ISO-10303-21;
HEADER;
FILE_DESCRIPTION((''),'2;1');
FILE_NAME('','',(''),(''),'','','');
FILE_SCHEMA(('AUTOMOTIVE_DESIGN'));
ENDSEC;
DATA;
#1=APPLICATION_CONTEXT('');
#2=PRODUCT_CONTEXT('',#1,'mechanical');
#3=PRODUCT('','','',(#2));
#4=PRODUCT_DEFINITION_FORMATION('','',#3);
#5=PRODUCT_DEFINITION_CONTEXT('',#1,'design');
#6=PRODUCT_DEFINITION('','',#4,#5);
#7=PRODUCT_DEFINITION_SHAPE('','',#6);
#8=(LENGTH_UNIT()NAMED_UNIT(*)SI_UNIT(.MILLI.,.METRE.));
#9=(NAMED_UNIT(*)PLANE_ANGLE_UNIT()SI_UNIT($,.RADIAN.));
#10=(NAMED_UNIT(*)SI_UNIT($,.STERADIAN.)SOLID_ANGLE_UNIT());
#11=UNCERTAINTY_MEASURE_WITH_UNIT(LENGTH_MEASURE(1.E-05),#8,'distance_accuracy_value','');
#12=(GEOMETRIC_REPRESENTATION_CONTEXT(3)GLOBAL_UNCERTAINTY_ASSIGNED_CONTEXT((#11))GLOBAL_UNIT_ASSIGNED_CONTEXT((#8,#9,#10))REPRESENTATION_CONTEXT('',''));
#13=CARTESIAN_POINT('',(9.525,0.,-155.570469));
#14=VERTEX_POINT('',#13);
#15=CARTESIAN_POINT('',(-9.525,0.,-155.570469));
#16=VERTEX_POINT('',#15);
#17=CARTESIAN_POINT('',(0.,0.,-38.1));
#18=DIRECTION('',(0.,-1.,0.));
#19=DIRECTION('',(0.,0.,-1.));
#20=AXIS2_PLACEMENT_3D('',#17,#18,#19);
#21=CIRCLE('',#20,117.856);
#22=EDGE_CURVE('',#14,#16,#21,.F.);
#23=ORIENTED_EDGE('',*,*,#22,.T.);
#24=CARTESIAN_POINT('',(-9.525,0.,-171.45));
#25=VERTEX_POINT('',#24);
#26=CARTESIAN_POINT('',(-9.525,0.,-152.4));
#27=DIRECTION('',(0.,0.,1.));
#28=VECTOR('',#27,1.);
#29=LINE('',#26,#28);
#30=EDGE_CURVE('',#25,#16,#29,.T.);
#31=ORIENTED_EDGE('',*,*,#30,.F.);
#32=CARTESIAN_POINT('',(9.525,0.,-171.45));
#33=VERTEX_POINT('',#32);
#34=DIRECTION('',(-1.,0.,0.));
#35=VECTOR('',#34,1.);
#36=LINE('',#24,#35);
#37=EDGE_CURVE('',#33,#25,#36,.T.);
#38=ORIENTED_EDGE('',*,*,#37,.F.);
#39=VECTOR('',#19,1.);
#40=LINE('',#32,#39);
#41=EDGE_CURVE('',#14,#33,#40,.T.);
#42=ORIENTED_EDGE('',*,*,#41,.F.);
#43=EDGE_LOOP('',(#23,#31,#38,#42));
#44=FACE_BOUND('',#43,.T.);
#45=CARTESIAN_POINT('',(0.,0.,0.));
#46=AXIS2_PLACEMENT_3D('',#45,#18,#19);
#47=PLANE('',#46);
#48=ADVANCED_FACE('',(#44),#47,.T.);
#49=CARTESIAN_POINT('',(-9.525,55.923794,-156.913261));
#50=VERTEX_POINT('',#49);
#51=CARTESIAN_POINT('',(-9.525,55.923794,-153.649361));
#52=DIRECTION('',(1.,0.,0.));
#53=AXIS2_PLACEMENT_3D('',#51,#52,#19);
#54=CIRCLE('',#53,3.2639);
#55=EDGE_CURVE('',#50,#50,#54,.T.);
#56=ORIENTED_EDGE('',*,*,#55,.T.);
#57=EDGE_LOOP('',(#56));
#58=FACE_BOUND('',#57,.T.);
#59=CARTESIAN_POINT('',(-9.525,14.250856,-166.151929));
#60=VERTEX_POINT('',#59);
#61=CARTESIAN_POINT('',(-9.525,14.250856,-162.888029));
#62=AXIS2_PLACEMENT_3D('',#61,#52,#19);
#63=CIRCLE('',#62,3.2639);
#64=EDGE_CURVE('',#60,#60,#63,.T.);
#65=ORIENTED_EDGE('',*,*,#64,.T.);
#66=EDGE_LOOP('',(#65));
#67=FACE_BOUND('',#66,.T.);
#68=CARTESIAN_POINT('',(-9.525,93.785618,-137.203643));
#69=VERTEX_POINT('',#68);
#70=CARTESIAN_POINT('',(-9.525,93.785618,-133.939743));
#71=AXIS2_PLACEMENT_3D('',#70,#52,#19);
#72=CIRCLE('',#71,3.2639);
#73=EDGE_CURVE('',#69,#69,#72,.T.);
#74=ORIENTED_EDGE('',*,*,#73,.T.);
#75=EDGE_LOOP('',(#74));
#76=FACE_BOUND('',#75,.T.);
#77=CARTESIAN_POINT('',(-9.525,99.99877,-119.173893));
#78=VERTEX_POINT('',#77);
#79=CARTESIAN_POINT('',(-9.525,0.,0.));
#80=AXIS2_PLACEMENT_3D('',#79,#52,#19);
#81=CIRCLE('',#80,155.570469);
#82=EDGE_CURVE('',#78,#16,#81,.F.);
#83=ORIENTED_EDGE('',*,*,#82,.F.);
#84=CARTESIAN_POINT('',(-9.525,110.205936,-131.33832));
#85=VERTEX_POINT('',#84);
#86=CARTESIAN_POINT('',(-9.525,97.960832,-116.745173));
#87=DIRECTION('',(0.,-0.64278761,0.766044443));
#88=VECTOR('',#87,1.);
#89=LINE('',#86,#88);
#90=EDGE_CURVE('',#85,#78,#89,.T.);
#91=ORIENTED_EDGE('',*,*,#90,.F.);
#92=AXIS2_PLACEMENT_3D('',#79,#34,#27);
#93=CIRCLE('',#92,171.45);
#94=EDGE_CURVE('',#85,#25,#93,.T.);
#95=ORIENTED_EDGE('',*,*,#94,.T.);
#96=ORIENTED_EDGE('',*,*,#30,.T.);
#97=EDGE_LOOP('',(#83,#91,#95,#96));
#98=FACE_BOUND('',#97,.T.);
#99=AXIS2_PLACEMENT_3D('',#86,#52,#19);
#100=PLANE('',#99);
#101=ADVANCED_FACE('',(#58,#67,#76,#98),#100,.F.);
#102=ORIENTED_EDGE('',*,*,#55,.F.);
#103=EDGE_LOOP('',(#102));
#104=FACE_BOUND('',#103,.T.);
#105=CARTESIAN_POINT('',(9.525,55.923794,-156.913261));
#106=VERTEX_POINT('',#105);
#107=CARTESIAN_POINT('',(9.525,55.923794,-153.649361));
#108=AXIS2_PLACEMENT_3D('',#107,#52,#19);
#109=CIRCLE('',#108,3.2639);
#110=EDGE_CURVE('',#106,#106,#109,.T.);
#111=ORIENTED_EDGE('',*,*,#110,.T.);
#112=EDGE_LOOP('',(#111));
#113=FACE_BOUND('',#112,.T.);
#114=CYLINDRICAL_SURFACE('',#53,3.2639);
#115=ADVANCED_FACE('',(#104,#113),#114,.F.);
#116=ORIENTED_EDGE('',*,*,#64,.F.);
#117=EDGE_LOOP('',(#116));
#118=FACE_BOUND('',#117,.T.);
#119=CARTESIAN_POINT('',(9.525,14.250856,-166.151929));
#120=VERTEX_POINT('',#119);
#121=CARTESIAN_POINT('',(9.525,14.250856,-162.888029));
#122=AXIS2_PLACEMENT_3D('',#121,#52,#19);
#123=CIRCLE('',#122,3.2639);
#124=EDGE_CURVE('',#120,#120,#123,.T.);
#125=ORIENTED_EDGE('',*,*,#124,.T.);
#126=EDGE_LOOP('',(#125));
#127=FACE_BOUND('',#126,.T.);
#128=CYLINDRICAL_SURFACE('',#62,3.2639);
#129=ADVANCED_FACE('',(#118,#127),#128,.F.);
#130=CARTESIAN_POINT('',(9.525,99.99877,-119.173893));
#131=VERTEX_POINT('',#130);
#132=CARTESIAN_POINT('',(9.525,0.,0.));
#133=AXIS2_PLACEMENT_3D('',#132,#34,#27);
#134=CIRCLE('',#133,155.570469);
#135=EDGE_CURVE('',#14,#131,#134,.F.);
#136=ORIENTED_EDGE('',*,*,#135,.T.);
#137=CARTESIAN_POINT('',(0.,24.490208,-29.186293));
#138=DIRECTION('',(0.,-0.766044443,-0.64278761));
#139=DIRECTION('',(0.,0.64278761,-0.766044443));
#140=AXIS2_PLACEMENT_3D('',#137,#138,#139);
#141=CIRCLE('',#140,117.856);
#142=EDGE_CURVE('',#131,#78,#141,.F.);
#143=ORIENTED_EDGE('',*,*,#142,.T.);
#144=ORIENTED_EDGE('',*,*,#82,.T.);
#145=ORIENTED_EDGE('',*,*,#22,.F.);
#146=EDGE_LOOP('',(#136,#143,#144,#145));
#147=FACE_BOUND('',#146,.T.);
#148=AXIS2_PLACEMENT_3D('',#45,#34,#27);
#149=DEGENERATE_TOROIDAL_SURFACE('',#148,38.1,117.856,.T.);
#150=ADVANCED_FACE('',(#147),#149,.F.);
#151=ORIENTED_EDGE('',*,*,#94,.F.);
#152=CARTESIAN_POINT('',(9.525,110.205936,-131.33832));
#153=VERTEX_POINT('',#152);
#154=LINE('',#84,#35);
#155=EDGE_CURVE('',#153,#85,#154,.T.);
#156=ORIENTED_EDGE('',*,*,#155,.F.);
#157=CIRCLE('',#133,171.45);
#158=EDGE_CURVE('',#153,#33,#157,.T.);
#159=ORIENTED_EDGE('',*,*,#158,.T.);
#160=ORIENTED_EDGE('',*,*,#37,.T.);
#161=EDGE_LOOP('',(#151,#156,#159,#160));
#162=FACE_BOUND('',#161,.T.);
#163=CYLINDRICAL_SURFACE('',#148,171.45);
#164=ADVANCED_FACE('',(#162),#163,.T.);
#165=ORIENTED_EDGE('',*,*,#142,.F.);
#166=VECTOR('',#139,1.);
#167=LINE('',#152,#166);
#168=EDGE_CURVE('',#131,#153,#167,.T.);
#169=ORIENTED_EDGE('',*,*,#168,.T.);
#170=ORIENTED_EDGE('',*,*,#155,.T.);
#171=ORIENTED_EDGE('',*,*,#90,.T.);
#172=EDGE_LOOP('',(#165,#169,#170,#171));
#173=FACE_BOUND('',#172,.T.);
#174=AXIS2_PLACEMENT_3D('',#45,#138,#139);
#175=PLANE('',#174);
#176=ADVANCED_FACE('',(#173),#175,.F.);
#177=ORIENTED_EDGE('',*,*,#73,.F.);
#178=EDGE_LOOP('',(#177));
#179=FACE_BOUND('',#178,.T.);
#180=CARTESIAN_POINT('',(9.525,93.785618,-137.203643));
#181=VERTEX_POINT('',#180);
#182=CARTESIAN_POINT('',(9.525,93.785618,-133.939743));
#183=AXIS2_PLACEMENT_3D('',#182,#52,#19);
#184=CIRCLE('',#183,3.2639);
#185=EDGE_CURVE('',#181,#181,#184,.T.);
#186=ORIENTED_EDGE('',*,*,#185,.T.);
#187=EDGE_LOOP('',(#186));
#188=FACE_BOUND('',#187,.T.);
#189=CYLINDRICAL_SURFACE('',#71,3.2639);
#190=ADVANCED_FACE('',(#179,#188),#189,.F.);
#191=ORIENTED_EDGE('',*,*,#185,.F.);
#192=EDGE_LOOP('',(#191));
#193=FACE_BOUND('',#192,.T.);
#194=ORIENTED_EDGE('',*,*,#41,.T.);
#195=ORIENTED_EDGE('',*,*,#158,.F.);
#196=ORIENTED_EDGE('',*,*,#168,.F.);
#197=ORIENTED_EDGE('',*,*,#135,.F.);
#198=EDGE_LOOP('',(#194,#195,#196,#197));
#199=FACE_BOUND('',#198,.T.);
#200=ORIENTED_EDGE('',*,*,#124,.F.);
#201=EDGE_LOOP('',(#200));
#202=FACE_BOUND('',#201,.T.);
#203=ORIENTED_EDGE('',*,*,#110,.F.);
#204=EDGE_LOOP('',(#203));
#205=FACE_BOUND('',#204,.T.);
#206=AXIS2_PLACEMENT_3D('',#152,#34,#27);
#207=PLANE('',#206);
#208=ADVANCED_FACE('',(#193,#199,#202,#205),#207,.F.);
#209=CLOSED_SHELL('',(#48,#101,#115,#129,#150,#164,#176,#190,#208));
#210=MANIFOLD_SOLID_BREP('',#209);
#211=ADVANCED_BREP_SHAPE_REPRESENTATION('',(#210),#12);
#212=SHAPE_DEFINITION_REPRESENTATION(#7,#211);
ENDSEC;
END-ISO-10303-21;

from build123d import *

# Parameters (mm, degrees)
REVOLVE1_ANGLE     = 40
SKETCH3_R          = 3.2639
CUT_EXTRUDE1_DEPTH = 205.703085759


with BuildPart() as part:
    # Sketch1 → Revolve1 (revolve)
    with BuildSketch(Plane(origin=(0, 0, 0), x_dir=(1, 0, 0), z_dir=(0, 1, 0))):
        Polygon((0, 152.4), (-9.525, 152.4), (-9.525, 171.45), (9.525, 171.45), (9.525, 152.4), align=None)
    revolve(axis=Axis((0, 0, 0), (1, 0, 0)), revolution_arc=REVOLVE1_ANGLE)

    # Sketch2 → Cut-Revolve1 (revolve, cut)
    with BuildSketch(Plane(origin=(0, 0, 0), x_dir=(1, 0, 0), z_dir=(0, 1, 0))):
        with BuildLine():
            Line((-117.856, 38.1), (117.856, 38.1))
            ThreePointArc((117.856, 38.1), (0, 155.956), (-117.856, 38.1))
        make_face()
    revolve(axis=Axis((0, 0, 0), (1, 0, 0)), mode=Mode.SUBTRACT)

    # Sketch3 → Cut-Extrude1 (cut, through all)
    with BuildSketch(Plane(origin=(9.525, 0, 0), x_dir=(0, 0, -1), z_dir=(1, 0, 0))):
        with Locations((162.888028743, 14.250855939)):
            Circle(SKETCH3_R)
        with Locations((153.64936083, 55.923793856)):
            Circle(SKETCH3_R)
        with Locations((133.939742895, 93.785617641)):
            Circle(SKETCH3_R)
    extrude(amount=-CUT_EXTRUDE1_DEPTH, mode=Mode.SUBTRACT)


solid = part.part
